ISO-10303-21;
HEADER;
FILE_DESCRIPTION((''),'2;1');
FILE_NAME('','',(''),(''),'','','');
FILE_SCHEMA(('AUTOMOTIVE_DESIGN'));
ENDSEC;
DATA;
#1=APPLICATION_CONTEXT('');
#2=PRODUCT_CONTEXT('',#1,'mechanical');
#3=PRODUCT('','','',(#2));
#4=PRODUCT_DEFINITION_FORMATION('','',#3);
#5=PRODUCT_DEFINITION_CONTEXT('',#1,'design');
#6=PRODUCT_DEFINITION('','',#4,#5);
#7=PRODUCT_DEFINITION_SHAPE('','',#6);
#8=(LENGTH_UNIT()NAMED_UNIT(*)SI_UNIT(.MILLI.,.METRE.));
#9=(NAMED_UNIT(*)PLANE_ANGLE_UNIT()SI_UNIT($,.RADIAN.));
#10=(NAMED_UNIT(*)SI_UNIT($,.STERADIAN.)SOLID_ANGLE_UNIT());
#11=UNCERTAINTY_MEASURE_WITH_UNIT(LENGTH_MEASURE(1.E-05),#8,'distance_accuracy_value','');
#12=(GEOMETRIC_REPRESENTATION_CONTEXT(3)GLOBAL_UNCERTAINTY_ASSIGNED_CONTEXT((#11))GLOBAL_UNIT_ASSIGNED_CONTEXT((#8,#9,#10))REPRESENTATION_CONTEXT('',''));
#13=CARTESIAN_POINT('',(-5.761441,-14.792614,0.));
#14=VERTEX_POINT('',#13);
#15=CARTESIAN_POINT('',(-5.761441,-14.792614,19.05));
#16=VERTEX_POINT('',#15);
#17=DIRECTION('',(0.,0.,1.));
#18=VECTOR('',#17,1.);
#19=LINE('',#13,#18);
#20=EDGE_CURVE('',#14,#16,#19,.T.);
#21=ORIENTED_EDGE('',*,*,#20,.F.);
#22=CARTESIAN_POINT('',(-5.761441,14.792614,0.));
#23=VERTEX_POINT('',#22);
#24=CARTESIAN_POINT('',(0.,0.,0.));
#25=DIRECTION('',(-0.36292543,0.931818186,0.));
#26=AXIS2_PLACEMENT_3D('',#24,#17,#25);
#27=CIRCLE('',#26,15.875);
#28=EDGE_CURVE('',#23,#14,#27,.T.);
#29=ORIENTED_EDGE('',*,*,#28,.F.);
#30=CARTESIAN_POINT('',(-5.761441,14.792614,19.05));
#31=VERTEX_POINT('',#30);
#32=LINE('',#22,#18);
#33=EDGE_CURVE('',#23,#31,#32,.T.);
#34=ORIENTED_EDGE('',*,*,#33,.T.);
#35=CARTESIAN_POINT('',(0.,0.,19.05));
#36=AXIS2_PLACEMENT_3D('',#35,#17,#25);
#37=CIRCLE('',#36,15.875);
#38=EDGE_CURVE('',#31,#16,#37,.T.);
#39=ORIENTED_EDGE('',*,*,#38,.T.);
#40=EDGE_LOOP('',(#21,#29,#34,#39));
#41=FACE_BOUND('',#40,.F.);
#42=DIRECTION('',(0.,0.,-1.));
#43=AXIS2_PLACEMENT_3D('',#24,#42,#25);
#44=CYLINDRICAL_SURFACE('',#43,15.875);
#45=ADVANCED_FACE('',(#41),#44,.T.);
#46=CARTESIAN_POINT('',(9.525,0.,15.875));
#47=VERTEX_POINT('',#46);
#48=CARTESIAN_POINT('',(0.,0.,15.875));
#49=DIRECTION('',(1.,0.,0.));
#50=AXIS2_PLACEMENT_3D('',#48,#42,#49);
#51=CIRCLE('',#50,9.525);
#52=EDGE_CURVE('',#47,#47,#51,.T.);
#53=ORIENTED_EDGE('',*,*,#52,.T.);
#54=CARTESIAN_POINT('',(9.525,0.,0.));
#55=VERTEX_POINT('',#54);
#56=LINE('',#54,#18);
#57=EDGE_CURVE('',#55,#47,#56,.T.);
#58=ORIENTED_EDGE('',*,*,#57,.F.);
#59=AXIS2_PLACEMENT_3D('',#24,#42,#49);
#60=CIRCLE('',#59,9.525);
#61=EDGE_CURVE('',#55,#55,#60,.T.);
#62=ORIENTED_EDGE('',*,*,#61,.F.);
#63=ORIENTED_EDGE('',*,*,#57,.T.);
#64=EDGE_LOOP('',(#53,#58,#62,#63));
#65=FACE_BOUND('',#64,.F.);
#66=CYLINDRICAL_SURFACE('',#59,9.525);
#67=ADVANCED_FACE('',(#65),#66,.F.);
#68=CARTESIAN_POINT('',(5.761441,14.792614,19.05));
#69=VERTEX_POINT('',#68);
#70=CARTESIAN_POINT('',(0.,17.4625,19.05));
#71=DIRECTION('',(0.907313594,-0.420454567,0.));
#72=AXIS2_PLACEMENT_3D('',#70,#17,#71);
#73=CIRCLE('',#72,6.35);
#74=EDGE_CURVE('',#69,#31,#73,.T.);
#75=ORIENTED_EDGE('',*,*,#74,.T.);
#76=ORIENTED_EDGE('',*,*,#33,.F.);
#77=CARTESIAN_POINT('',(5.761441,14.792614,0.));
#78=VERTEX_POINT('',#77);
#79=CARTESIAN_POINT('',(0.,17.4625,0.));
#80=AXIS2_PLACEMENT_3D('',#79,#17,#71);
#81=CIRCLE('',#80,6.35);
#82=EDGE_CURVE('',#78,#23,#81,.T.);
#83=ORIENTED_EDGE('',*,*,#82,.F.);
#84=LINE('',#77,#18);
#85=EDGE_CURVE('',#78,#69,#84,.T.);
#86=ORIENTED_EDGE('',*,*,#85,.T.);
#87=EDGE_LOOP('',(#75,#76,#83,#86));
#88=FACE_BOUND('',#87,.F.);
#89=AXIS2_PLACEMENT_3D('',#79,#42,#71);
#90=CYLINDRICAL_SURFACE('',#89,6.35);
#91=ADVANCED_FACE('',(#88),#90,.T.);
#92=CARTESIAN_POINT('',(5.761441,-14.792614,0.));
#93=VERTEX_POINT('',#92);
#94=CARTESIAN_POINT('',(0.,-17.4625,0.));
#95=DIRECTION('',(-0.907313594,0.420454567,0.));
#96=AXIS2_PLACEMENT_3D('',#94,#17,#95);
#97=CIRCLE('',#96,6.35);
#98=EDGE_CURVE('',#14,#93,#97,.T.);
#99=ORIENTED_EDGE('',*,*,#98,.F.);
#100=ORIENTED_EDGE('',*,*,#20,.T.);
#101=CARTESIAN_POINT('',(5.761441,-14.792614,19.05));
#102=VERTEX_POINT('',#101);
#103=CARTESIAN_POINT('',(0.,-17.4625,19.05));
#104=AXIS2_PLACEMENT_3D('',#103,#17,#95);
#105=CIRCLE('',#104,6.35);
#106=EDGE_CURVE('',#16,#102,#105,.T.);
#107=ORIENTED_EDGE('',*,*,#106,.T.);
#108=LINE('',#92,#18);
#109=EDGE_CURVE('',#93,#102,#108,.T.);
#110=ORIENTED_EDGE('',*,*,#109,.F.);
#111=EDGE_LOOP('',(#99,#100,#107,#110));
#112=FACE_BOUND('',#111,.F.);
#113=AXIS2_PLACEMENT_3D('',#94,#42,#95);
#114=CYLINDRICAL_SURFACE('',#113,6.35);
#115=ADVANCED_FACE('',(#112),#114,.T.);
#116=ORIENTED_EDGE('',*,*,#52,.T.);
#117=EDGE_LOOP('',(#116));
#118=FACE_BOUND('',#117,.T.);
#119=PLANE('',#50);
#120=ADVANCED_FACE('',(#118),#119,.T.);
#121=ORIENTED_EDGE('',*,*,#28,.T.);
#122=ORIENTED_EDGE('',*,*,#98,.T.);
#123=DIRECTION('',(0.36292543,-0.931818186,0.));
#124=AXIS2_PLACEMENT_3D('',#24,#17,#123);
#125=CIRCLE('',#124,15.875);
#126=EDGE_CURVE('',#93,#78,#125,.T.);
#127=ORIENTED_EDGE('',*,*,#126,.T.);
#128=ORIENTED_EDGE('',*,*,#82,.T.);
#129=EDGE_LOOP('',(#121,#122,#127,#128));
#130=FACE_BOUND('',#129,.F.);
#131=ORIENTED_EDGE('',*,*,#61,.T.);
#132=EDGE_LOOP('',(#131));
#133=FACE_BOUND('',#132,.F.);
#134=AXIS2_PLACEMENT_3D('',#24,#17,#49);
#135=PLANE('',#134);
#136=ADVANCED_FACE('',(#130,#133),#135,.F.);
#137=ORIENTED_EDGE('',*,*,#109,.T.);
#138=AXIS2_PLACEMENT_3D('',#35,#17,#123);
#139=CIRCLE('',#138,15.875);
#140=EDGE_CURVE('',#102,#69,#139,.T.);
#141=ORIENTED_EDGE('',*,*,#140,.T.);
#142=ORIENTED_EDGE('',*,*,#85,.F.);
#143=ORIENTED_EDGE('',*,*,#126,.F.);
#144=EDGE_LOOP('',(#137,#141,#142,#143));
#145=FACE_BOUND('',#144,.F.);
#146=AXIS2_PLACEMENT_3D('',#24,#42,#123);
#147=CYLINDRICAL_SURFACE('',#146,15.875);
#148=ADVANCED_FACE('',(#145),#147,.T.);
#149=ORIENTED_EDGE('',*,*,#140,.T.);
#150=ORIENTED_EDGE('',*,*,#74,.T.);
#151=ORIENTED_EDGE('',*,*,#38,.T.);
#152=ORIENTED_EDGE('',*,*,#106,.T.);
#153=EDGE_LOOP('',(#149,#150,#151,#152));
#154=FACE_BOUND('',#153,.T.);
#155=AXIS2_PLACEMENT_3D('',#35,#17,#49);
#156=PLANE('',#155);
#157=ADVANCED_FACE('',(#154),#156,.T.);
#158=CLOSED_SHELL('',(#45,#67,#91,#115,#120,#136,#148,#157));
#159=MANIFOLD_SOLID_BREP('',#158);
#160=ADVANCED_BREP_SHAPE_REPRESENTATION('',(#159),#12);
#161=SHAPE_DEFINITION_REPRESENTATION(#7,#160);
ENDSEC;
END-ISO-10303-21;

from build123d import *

# Parameters (mm, degrees)
F1_DEPTH = 19.05
F2_R     = 9.525
F3_DEPTH = 15.875


with BuildPart() as f1:
    # F0 (on Top) → F1 (new body)
    with BuildSketch(Plane.XY):
        with BuildLine():
            ThreePointArc((-5.761441, -14.792614), (0, -23.8125), (5.761441, -14.792614))
            ThreePointArc((5.761441, -14.792614), (15.875, 0), (5.761441, 14.792614))
            ThreePointArc((5.761441, 14.792614), (0, 23.8125), (-5.761441, 14.792614))
            ThreePointArc((-5.761441, 14.792614), (-15.875, 0), (-5.761441, -14.792614))
        make_face()
    extrude(amount=F1_DEPTH)

    # F2 (on face) → F3 (cut)
    with BuildSketch(Plane(origin=(0, 0, 0), x_dir=(1, 0, 0), z_dir=(0, 0, -1))):
        Circle(F2_R)
    extrude(amount=-F3_DEPTH, mode=Mode.SUBTRACT)


solid = f1.part
